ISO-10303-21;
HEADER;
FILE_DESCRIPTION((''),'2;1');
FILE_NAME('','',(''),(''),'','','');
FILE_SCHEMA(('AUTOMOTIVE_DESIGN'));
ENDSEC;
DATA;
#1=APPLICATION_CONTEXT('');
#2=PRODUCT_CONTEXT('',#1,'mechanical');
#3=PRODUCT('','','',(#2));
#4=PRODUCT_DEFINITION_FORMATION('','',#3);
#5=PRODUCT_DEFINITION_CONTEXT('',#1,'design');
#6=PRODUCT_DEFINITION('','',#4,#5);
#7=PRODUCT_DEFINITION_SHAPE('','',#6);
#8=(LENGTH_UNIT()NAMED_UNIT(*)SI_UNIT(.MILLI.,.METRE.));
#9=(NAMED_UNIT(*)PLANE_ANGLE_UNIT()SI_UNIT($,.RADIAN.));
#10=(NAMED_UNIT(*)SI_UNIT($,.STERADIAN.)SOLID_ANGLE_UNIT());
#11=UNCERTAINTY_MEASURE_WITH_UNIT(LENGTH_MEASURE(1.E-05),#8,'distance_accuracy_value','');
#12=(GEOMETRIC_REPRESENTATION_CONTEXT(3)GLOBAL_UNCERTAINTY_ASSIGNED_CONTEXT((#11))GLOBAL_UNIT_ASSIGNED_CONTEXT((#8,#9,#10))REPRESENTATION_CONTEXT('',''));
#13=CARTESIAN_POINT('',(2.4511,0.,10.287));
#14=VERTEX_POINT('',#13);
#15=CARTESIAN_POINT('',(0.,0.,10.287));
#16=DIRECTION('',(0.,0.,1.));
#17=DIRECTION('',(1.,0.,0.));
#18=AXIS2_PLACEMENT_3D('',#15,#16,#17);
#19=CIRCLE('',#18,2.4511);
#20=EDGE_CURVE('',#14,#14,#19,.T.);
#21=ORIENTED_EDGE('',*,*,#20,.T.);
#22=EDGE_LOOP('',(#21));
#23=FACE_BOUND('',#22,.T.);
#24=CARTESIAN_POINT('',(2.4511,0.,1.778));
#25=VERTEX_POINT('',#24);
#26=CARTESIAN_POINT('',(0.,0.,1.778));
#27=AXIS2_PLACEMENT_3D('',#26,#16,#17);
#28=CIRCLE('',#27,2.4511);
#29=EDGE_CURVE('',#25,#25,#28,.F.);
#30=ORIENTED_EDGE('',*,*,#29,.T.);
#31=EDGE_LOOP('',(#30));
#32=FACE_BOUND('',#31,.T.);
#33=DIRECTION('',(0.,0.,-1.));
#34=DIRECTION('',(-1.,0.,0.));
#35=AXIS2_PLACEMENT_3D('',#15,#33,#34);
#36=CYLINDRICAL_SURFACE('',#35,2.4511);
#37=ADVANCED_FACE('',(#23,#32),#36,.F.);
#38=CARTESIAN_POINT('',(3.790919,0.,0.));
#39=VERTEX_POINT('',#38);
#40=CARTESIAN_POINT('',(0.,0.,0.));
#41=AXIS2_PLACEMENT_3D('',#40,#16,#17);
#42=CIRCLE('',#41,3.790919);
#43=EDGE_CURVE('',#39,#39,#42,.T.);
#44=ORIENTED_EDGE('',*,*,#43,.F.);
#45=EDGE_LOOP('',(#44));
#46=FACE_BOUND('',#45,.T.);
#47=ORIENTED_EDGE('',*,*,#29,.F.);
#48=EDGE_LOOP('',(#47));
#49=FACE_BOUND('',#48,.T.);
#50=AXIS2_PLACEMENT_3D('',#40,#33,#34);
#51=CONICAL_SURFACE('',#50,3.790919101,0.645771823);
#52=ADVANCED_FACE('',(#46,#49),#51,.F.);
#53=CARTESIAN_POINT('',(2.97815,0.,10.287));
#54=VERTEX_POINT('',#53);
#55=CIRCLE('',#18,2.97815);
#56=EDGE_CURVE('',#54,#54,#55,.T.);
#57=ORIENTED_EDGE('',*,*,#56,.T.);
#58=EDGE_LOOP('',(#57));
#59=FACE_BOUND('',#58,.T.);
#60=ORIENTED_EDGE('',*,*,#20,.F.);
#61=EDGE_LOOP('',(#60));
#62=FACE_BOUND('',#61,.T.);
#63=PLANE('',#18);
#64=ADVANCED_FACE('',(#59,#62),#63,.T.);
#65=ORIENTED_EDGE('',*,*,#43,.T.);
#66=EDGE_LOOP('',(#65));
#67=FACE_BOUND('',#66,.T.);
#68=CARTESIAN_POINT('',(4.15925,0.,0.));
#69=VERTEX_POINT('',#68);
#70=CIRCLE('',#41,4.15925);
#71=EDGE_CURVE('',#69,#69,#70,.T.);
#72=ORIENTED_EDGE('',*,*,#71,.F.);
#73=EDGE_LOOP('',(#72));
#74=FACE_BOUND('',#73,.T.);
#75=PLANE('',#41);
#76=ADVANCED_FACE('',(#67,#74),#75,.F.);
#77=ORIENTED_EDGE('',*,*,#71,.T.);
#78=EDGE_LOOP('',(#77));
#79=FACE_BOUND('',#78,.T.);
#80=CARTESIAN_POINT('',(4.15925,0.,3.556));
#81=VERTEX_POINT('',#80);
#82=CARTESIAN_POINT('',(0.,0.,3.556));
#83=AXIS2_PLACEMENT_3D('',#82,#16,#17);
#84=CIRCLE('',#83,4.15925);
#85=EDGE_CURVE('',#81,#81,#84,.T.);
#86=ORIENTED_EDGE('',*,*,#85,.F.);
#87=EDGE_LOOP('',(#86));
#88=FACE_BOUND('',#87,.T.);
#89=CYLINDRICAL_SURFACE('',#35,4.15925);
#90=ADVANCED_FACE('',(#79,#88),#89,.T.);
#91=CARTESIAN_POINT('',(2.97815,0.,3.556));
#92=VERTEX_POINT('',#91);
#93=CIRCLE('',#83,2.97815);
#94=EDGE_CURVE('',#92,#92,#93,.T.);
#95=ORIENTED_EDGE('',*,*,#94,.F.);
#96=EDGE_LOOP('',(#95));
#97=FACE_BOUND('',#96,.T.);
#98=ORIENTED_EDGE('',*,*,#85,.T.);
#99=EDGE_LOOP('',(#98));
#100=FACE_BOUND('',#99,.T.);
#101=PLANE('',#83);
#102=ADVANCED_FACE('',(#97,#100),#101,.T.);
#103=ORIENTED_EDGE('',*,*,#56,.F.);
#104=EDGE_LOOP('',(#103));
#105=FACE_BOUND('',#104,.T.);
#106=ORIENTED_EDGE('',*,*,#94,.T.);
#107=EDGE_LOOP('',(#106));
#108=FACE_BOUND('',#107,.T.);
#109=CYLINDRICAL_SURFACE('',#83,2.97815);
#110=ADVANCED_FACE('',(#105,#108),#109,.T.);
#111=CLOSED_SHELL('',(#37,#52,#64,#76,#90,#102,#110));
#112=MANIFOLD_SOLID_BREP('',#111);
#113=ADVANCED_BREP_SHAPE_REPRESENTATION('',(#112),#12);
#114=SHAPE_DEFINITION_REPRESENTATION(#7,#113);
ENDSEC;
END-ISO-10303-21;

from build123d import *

# Parameters (mm, degrees)
SKETCH1_R           = 4.15925
SKETCH1_R_2         = 2.4511
BOSS_EXTRUDE1_DEPTH = 10.287
SKETCH2_OUTSIDE_W   = 13.444
SKETCH2_OUTSIDE_H   = 13.444
SKETCH2_OUTSIDE_R   = 2.97815
CUT_EXTRUDE1_DEPTH  = 6.731
CHAMFER1_SIZE       = 1.778
CHAMFER1_SIZE2      = 1.339819101


with BuildPart() as part:
    # Sketch1 → Boss-Extrude1 (new body)
    with BuildSketch(Plane.XY):
        Circle(SKETCH1_R)
        Circle(SKETCH1_R_2, mode=Mode.SUBTRACT)
    extrude(amount=BOSS_EXTRUDE1_DEPTH)

    # Sketch2 outside → Cut-Extrude1 (cut)
    with BuildSketch(Plane.XY.offset(10.287)):
        Rectangle(SKETCH2_OUTSIDE_W, SKETCH2_OUTSIDE_H)
        Circle(SKETCH2_OUTSIDE_R, mode=Mode.SUBTRACT)
    extrude(amount=-CUT_EXTRUDE1_DEPTH, mode=Mode.SUBTRACT)

    # Chamfer1
    chamfer1_edges = [part.edges().sort_by_distance(p)[0] for p in [
        (-2.4511, 0, 0),
    ]]
    chamfer1_side = [part.faces().sort_by_distance(p)[0] for p in [
        (-2.4511, 0, 5.1435),
    ]]
    chamfer(chamfer1_edges, length=CHAMFER1_SIZE, length2=CHAMFER1_SIZE2, reference=chamfer1_side[0])


solid = part.part
